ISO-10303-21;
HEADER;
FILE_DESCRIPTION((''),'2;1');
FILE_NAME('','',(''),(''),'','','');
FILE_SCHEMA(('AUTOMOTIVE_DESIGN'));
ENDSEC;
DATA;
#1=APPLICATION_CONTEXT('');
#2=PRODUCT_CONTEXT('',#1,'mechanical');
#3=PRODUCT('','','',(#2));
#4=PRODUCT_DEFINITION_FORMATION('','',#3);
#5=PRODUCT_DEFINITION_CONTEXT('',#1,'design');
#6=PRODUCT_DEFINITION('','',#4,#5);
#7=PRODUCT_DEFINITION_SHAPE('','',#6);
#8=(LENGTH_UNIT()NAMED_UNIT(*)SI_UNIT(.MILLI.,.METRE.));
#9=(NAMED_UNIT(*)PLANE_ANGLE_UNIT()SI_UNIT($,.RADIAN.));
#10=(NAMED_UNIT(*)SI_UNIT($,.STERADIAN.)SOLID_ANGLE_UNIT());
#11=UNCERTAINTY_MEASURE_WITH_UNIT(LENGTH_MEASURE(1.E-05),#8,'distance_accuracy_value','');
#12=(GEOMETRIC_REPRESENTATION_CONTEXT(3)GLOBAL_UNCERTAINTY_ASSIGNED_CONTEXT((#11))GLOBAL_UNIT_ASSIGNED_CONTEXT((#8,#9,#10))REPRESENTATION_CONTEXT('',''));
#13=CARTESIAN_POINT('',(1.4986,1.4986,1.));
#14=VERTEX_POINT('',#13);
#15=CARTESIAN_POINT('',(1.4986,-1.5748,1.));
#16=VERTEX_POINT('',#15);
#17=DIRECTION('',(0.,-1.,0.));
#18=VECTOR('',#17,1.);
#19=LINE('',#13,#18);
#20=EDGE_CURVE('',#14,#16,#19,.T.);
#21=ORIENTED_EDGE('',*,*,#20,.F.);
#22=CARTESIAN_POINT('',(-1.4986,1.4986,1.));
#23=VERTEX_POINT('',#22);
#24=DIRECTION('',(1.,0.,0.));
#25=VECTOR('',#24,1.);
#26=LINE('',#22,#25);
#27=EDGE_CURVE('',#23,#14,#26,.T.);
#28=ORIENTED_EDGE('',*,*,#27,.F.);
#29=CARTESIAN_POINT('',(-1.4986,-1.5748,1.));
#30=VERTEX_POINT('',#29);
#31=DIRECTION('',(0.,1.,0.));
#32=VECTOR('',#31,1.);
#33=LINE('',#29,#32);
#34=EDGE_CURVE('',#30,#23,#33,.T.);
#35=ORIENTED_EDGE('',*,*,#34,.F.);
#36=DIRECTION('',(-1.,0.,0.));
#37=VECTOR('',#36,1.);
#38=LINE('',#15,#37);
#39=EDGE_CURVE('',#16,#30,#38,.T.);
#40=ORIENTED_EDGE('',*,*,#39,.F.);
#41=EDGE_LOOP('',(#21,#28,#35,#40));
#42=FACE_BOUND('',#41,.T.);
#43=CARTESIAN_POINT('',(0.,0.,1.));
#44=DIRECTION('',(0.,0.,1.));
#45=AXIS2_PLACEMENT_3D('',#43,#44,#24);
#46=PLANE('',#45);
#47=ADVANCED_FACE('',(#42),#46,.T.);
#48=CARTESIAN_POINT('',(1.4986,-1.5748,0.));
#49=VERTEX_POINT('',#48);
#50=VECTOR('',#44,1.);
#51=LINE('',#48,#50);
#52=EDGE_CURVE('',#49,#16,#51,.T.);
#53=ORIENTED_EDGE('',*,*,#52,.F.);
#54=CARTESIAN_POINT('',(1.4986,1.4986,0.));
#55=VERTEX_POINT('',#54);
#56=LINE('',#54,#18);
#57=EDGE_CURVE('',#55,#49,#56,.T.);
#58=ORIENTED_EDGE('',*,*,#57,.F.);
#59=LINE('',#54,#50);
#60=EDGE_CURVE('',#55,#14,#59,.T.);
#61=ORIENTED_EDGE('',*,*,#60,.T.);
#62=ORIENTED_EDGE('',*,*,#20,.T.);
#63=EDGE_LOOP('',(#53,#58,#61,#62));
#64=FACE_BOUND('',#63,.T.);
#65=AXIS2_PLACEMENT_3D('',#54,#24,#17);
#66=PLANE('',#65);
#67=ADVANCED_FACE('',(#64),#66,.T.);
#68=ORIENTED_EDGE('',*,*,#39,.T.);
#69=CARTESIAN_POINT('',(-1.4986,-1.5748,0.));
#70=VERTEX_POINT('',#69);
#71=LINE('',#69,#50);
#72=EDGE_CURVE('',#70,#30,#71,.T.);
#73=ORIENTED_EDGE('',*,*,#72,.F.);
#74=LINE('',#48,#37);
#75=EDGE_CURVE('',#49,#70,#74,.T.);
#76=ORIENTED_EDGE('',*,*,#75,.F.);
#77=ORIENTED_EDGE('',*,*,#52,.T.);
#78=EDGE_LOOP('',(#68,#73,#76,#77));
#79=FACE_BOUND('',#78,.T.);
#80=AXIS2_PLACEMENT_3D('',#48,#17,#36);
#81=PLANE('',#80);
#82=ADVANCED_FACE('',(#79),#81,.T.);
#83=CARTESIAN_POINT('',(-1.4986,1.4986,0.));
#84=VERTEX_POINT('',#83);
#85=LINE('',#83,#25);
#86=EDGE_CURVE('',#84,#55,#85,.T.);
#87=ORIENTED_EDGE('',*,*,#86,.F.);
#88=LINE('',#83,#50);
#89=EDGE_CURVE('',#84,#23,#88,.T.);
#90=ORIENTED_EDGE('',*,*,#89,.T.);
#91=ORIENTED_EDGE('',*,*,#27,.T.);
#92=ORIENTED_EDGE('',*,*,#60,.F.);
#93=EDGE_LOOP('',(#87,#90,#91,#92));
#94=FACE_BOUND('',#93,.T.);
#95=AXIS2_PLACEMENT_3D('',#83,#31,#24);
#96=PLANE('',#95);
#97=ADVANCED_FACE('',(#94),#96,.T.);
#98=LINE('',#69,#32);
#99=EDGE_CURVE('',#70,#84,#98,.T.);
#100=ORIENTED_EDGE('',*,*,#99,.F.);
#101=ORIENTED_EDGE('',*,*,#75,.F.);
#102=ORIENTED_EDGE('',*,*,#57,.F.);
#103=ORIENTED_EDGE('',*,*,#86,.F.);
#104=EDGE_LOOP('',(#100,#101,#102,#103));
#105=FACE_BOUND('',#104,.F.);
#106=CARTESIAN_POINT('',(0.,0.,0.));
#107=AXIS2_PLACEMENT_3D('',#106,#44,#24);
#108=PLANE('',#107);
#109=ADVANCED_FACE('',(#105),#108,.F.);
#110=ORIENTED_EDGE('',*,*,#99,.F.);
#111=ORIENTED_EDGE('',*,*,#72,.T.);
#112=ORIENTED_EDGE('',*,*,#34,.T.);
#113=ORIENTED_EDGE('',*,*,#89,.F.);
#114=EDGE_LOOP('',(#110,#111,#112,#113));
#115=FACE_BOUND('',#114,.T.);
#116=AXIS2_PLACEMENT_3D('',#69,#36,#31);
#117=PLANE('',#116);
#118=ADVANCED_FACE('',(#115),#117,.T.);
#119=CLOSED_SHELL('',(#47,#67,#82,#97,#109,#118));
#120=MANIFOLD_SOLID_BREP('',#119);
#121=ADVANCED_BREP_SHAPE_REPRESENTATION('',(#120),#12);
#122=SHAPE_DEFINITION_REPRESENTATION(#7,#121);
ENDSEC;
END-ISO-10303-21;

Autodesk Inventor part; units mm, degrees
ref_plane "YZ Plane" through (0, 0, 0) normal (1, 0, 0) x (0, 1, 0)
ref_plane "XZ Plane" through (0, 0, 0) normal (0, 1, 0) x (-1, 0, 0)
ref_plane "XY Plane" through (0, 0, 0) normal (0, 0, 1) x (1, 0, 0)
sketch "SOT95P280X145-6N, ADR3425ARJZ-R7_3" plane through (0, 0, 0) normal (0, 0, 1) x (1, 0, 0)
  line L0 (-1.4986, 1.4986) -> (1.4986, 1.4986)
  line L1 (1.4986, 1.4986) -> (1.4986, -1.5748)
  line L2 (1.4986, -1.5748) -> (-1.4986, -1.5748)
  line L3 (-1.4986, -1.5748) -> (-1.4986, 1.4986)
extrude "Extrusion1" add sketch "SOT95P280X145-6N, ADR3425ARJZ-R7_3" along normal blind 1
properties part number "ADR3425ARJZ-R7"
